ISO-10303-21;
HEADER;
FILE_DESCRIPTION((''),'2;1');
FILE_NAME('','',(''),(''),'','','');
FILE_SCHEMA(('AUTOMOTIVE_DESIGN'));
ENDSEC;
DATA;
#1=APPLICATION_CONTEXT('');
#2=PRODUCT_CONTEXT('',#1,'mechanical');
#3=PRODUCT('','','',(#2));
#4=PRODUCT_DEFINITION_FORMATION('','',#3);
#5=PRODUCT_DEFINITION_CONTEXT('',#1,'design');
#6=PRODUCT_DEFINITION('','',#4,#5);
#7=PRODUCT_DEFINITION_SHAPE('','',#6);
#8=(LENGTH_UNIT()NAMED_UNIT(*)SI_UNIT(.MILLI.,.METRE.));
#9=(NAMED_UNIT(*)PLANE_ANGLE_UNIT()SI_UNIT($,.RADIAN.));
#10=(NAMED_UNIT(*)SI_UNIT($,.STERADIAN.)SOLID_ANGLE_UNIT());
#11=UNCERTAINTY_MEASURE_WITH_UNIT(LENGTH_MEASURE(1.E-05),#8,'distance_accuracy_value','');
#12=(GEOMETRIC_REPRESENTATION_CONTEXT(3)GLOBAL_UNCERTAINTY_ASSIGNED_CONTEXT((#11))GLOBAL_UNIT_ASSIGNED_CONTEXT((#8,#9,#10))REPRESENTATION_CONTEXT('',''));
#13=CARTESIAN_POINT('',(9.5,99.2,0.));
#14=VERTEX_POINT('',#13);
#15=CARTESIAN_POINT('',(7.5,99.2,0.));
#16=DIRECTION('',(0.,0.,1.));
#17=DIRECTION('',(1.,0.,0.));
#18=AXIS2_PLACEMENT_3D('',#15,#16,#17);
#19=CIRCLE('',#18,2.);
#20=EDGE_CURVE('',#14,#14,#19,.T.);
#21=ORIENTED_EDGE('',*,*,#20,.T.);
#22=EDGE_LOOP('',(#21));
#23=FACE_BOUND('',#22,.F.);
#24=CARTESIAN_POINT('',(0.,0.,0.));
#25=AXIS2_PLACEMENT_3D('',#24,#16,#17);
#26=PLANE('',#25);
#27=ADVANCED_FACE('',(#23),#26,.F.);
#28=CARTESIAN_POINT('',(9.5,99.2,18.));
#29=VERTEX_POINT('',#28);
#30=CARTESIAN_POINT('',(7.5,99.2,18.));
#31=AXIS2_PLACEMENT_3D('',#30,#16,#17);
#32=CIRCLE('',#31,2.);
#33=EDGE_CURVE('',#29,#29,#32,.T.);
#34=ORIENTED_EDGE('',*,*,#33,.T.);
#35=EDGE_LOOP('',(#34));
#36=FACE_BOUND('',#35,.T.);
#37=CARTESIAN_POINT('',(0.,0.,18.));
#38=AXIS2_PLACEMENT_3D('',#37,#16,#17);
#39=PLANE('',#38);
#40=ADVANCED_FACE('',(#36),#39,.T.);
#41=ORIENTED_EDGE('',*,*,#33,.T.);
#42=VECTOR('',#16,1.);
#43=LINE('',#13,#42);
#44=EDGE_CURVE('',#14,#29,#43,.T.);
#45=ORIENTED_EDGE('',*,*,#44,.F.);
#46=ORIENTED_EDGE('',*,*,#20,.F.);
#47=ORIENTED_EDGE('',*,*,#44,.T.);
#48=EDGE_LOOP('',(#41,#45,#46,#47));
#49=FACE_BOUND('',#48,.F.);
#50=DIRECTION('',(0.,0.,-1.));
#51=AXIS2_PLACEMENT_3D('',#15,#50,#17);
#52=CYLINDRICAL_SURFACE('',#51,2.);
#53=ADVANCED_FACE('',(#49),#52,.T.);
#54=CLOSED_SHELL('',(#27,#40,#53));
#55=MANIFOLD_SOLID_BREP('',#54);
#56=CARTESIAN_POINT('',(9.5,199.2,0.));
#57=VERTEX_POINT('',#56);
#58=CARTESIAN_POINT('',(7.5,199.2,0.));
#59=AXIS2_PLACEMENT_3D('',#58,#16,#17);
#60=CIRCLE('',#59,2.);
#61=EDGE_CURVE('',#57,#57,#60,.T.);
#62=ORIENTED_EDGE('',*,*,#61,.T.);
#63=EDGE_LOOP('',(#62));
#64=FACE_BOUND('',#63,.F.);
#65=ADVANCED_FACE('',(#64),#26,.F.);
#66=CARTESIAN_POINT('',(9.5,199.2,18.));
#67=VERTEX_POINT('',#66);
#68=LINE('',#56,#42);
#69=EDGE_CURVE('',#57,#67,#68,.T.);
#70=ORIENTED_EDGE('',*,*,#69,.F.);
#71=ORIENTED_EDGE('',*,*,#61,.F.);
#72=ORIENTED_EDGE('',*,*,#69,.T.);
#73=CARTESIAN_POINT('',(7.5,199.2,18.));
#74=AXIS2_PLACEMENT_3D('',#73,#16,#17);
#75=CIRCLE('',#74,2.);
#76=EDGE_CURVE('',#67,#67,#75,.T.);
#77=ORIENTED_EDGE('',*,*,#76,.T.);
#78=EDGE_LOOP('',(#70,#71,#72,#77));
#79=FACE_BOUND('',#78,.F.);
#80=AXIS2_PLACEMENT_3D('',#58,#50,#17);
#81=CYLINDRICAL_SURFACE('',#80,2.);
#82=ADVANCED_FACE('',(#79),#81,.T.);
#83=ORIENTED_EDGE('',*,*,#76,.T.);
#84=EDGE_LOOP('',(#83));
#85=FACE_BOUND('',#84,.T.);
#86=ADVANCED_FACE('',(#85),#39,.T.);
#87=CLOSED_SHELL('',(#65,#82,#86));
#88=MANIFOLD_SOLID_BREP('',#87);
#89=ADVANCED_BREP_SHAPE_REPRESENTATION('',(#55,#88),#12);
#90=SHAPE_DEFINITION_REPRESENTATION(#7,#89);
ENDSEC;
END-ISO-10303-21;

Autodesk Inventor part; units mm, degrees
ref_plane "YZ Plane" through (0, 0, 0) normal (1, 0, 0) x (0, 1, 0)
ref_plane "XZ Plane" through (0, 0, 0) normal (0, 1, 0) x (-1, 0, 0)
ref_plane "Plano de trabajo1" through (0, 0, 0) normal (0, 0, 1) x (1, 0, 0)
sketch "Boceto1" plane through (0, 0, 0) normal (0, 0, 1) x (1, 0, 0)
  circle A0 centre (7.5, 99.2) radius 2
  circle A1 centre (7.5, 199.2) radius 2
  point P0 (0, 0)
  dimension "d0" = 4
  dimension "d1" = 4
  dimension "d2" = 100
  dimension "d3" = 99.2
  dimension "d4" = 7.5
  dimension "d5" = 7.5
extrude "Extrusión1" add sketch "Boceto1" along normal blind 18
equation "\"Radio_pliegue\" = Grosor"
equation "\"Anchura_desahogo_plegado\" = Grosor"
equation "\"Profundidad_desahogo_plegado\" = 0.5 * Grosor"
equation "\"Tamaño_destalonado\" = 4 * Grosor"
equation "\"Remanente_mínimo\" = 2 * Grosor"
equation "\"Radiodetransición\" = Radio_pliegue"
equation "\"Tamaño_de_radio_de_Jacobi\" = Radio_pliegue"
equation "\"TamañoSeparación\" = Grosor"
equation "\"Grosor\" = 0.5"
properties part number "Topes_apm_2"
